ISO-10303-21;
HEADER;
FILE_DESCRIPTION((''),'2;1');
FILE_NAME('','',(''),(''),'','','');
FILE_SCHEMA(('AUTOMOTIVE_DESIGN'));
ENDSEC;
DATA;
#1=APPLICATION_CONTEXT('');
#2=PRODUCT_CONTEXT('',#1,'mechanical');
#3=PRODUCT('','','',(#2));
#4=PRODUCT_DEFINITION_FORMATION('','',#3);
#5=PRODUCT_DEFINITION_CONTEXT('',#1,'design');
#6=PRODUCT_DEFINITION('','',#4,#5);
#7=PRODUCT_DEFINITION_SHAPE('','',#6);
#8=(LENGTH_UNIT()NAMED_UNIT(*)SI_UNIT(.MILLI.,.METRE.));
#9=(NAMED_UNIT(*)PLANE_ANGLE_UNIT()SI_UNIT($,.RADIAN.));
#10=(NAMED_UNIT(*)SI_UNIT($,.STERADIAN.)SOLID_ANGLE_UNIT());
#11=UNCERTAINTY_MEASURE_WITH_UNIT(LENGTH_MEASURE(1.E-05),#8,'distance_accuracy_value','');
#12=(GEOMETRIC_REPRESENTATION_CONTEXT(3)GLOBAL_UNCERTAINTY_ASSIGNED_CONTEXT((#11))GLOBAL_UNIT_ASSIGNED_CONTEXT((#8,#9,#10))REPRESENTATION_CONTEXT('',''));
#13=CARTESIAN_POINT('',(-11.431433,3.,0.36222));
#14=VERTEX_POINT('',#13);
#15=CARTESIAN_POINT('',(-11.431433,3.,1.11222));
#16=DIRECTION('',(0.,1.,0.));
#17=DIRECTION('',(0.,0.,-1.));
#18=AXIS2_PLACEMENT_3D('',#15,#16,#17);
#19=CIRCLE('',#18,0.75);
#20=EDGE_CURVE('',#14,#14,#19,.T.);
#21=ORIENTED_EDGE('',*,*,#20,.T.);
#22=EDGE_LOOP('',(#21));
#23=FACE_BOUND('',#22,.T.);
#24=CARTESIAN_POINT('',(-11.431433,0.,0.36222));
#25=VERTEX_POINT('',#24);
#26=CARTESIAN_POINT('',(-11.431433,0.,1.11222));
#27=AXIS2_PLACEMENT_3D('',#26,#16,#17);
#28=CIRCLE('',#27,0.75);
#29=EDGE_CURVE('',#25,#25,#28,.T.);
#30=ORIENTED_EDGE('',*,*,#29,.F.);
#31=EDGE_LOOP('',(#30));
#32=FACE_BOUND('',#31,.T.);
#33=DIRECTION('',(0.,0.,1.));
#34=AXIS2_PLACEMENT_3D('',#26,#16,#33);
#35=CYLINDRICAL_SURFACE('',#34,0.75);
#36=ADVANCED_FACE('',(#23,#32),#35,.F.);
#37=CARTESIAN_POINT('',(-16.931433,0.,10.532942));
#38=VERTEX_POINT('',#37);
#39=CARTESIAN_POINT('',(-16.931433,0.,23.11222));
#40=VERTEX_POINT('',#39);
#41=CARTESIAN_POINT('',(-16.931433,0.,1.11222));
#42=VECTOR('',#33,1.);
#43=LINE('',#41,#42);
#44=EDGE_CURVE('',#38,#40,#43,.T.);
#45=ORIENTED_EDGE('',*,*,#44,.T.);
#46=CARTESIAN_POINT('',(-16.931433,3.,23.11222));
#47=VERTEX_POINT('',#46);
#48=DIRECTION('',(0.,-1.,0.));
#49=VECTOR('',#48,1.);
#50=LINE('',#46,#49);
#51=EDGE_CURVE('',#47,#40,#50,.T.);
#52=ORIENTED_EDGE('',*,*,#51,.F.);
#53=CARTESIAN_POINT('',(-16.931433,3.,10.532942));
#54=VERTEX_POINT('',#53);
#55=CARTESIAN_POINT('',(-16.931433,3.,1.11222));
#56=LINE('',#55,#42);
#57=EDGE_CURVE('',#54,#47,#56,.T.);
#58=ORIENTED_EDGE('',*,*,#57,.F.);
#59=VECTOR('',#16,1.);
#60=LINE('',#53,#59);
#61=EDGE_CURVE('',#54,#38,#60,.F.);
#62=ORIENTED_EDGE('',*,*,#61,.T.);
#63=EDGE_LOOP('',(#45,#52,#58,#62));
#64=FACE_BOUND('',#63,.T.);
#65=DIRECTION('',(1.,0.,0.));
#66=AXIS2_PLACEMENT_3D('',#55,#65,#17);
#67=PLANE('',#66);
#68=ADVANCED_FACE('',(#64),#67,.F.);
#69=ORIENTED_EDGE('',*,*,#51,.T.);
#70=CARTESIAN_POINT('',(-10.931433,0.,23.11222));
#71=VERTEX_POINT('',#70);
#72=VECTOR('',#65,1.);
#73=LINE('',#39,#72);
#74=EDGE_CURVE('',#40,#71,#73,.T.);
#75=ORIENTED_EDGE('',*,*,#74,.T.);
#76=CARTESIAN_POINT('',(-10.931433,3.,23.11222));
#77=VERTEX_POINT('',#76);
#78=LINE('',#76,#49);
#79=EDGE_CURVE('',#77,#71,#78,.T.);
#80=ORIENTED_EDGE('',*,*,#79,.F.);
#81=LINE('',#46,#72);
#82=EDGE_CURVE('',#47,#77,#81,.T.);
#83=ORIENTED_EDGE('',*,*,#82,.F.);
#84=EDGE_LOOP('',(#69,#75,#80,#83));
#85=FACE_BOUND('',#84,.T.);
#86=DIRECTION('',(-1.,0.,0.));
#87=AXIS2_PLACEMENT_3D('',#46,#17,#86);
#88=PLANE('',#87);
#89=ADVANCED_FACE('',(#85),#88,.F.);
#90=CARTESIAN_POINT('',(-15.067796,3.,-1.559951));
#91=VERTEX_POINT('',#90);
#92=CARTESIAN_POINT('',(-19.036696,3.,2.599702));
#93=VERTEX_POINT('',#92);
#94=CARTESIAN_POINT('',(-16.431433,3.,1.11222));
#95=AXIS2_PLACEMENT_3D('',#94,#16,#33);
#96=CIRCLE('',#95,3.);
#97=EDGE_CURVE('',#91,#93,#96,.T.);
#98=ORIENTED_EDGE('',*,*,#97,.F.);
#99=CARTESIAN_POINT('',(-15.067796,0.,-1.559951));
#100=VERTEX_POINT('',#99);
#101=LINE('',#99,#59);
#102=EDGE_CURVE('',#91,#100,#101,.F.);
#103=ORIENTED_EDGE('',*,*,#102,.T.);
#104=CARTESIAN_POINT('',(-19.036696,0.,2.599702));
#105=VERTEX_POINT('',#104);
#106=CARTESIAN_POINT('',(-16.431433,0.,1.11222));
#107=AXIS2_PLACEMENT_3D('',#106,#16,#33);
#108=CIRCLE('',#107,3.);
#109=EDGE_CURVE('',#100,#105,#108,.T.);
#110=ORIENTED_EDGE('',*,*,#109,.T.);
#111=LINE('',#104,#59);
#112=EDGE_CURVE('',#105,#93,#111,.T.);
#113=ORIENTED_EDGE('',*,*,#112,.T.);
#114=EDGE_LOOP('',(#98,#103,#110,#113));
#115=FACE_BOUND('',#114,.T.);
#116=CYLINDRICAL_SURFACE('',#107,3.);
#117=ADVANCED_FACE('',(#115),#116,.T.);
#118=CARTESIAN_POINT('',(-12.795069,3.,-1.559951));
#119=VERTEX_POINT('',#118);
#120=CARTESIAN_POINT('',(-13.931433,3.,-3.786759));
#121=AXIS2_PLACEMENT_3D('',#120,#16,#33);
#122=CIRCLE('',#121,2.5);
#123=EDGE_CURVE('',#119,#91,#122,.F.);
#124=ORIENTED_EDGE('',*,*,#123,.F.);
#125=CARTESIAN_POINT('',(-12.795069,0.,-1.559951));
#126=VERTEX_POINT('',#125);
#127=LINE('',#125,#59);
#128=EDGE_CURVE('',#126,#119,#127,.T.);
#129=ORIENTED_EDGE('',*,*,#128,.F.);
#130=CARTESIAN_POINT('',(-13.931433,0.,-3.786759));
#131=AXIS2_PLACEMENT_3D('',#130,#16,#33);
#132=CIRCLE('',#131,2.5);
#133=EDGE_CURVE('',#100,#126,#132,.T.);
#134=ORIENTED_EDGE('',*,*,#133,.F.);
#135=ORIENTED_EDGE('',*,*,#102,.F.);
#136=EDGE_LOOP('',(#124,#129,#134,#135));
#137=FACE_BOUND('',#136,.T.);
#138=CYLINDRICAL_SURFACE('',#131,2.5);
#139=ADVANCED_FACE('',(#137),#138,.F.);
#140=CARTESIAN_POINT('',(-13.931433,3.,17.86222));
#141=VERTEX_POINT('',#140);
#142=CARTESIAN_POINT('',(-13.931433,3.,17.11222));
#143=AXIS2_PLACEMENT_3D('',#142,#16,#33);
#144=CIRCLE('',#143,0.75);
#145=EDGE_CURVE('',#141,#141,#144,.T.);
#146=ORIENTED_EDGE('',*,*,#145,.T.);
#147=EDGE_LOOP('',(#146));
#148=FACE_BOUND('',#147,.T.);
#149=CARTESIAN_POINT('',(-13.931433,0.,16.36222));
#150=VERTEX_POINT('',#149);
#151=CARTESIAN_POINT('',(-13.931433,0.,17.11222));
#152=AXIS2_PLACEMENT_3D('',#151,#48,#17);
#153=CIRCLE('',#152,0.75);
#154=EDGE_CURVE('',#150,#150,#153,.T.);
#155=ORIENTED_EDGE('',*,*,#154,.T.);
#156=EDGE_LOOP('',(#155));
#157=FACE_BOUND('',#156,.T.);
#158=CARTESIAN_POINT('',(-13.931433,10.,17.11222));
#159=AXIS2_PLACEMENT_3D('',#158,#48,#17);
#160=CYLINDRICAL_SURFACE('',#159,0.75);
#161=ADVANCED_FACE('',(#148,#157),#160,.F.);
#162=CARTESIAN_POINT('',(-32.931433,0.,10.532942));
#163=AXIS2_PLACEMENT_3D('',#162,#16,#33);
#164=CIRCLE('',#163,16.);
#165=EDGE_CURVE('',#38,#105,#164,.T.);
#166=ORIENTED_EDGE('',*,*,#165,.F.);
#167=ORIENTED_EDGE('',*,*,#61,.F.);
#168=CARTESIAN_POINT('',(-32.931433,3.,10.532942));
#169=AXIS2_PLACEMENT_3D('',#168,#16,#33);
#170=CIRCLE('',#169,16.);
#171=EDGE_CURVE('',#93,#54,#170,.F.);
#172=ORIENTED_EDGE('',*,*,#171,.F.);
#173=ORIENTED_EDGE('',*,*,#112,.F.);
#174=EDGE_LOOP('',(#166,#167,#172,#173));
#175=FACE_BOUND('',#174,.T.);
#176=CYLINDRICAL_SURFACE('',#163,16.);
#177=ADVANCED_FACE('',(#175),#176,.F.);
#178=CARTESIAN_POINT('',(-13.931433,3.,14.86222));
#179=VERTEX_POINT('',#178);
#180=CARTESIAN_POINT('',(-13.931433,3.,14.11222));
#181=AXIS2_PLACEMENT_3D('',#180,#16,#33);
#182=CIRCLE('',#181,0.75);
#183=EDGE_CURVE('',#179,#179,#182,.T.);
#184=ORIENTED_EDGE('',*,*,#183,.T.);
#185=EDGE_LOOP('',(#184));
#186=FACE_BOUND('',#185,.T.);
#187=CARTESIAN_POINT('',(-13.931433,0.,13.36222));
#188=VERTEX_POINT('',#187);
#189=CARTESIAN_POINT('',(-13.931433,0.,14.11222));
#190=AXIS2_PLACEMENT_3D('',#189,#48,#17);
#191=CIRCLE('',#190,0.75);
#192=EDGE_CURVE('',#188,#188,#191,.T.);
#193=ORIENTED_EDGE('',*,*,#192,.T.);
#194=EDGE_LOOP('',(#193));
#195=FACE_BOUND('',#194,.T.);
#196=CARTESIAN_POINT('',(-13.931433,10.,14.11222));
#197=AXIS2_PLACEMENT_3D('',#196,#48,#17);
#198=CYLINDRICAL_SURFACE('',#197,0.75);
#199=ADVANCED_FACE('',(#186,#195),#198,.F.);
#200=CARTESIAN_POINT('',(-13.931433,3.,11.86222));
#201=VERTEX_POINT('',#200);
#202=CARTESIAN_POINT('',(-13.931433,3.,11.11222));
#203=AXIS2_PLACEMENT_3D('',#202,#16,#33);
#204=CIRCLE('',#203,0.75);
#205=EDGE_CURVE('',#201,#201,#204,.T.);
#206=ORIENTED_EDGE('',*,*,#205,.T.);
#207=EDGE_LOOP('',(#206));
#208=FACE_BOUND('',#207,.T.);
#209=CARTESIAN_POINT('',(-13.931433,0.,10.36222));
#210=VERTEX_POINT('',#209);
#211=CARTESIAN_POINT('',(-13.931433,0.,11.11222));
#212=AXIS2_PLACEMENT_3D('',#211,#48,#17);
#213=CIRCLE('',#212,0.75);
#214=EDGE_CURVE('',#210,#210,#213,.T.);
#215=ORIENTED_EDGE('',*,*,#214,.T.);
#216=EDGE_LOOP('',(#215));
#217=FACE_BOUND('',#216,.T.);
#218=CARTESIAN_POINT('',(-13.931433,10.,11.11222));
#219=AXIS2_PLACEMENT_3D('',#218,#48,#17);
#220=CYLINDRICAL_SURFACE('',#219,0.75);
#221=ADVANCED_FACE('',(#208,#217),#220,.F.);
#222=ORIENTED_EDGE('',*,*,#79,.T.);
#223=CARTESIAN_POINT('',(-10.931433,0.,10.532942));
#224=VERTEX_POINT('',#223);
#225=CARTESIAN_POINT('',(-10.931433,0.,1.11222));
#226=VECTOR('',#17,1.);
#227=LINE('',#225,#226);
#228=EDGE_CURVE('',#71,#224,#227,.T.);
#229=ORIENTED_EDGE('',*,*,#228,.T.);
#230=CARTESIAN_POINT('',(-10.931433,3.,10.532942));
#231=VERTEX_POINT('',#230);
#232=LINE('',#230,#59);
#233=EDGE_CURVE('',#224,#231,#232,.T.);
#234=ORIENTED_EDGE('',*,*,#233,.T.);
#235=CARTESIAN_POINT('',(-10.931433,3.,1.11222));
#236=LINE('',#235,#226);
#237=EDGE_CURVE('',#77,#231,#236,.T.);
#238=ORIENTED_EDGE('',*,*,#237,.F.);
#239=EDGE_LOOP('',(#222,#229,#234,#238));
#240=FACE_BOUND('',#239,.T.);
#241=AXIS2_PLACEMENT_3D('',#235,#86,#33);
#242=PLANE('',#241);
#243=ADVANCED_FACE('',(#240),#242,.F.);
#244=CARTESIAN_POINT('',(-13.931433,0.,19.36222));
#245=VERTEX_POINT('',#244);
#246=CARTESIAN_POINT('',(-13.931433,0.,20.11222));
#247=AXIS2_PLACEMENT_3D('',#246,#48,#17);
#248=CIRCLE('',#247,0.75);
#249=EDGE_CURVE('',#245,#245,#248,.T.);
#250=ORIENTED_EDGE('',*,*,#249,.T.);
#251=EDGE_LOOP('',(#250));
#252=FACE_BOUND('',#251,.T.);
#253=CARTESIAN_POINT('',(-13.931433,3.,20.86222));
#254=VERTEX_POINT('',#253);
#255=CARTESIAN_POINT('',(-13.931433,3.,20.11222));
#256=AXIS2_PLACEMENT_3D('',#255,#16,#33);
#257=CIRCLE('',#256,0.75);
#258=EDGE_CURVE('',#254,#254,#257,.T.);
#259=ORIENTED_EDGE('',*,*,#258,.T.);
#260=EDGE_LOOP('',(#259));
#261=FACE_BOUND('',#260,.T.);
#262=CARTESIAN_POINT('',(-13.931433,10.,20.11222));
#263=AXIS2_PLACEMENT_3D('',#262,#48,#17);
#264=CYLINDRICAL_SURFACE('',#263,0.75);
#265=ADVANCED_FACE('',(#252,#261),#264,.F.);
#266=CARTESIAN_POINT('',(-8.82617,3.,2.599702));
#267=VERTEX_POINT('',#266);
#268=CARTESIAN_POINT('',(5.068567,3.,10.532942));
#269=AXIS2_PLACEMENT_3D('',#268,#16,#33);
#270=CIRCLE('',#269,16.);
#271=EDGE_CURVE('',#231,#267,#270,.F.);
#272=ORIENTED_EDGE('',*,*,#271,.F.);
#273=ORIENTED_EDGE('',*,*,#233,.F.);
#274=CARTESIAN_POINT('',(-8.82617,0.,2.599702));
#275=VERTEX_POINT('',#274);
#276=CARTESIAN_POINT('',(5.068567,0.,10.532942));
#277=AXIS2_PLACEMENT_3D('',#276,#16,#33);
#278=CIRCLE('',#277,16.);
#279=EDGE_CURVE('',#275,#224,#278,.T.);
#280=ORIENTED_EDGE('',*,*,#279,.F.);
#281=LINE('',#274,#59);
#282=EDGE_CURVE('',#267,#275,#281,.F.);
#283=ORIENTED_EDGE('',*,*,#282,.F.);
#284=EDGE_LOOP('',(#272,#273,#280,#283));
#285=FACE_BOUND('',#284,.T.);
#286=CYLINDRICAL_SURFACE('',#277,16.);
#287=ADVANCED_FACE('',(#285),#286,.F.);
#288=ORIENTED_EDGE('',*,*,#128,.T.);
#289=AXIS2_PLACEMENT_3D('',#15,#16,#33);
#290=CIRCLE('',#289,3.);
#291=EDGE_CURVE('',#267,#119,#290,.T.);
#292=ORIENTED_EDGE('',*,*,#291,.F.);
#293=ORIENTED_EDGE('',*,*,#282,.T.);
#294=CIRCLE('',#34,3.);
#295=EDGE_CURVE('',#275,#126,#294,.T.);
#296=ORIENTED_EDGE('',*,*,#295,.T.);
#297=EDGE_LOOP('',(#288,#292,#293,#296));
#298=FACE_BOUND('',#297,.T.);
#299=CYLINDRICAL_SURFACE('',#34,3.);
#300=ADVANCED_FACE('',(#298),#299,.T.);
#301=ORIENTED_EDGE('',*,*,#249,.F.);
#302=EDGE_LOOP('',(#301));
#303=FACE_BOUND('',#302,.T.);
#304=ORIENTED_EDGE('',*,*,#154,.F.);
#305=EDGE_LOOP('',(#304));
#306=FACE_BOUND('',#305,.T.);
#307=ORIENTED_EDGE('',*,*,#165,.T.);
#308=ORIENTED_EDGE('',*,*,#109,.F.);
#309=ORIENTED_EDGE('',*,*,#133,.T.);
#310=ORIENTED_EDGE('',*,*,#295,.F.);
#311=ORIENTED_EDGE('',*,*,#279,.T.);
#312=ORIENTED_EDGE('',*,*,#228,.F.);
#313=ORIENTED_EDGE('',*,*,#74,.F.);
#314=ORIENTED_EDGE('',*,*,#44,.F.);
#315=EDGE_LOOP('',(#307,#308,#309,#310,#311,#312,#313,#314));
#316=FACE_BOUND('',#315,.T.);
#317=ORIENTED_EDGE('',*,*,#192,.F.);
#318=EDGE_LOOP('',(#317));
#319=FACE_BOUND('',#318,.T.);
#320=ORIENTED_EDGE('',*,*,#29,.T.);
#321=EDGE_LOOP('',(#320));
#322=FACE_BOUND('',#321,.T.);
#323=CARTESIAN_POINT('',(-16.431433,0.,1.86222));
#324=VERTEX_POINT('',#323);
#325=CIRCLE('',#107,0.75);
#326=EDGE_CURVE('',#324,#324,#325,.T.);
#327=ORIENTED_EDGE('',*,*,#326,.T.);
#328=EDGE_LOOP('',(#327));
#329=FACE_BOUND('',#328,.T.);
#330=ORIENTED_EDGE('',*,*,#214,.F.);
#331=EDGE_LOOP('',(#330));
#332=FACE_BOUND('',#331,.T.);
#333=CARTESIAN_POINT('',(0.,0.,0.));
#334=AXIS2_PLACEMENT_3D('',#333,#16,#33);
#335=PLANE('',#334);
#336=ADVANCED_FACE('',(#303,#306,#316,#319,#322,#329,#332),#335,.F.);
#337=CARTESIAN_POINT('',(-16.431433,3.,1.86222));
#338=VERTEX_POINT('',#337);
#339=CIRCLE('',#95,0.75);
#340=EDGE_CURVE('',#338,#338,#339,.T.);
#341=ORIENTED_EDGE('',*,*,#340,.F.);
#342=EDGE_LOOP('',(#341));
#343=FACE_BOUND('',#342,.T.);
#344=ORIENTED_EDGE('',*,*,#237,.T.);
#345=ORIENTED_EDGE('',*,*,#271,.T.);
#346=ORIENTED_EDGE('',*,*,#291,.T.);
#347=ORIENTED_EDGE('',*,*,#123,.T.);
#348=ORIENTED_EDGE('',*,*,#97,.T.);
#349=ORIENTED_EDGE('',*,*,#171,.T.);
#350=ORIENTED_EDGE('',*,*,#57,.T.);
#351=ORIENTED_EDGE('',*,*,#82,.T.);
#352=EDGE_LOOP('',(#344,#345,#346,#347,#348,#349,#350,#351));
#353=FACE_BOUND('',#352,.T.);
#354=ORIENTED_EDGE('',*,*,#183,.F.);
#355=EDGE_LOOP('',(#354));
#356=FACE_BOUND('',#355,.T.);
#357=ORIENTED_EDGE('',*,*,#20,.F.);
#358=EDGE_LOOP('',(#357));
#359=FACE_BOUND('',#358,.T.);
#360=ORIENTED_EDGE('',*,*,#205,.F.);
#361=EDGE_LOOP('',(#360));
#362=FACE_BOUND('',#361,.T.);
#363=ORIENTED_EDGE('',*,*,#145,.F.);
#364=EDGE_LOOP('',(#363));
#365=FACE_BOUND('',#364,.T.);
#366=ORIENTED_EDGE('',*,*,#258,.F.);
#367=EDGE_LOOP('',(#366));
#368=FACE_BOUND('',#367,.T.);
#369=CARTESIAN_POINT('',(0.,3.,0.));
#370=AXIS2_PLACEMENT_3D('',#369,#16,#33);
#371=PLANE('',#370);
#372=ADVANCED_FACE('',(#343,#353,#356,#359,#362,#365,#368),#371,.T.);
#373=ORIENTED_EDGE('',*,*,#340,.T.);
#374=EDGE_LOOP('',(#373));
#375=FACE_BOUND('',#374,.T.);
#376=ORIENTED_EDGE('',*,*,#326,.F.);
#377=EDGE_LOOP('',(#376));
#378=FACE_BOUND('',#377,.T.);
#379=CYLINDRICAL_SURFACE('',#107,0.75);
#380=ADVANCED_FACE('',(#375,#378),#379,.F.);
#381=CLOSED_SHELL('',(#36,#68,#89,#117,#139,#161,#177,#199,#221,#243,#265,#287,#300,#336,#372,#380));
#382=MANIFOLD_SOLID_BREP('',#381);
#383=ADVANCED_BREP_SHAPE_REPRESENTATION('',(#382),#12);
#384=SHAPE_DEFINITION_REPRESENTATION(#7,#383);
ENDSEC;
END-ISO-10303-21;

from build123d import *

# Parameters (mm, degrees)
CROQUIS2_W              = 6
CROQUIS2_H              = 22
SALIENTE_EXTRUIR2_DEPTH = 3
CROQUIS7_R              = 3
SALIENTE_EXTRUIR4_DEPTH = 3
REDONDEO2_R             = 2.5
CROQUIS11_R             = 0.75
CORTAR_EXTRUIR6_DEPTH   = 3
CROQUIS12_R             = 0.75
CORTAR_EXTRUIR7_DEPTH   = 10
REDONDEO3_R             = 16


with BuildPart() as part:
    # Croquis2 → Saliente-Extruir2 (new body)
    with BuildSketch(Plane(origin=(0, 0, 0), x_dir=(1, 0, 0), z_dir=(0, 1, 0))):
        with Locations((-13.931432693, -12.112220068)):
            Rectangle(CROQUIS2_W, CROQUIS2_H)
    extrude(amount=SALIENTE_EXTRUIR2_DEPTH)

    # Croquis7 → Saliente-Extruir4 (add)
    with BuildSketch(Plane(origin=(0, 3, 0), x_dir=(1, 0, 0), z_dir=(0, 1, 0))):
        with Locations((-16.431432693, -1.112220068)):
            Circle(CROQUIS7_R)
        with Locations((-11.431432693, -1.112220068)):
            Circle(CROQUIS7_R)
    extrude(amount=-SALIENTE_EXTRUIR4_DEPTH)

    # Redondeo2
    redondeo2_edges = [part.edges().sort_by_distance(p)[0] for p in [
        (-13.931432693, 1.5, -0.546092328),
    ]]
    fillet(redondeo2_edges, radius=REDONDEO2_R)

    # Croquis11 → Cortar-Extruir6 (cut)
    with BuildSketch(Plane(origin=(0, 3, 0), x_dir=(1, 0, 0), z_dir=(0, 1, 0))):
        with Locations((-16.431432693, -1.112220068)):
            Circle(CROQUIS11_R)
        with Locations((-11.431432693, -1.112220068)):
            Circle(CROQUIS11_R)
    extrude(amount=-CORTAR_EXTRUIR6_DEPTH, mode=Mode.SUBTRACT)

    # Croquis12 → Cortar-Extruir7 (cut)
    with BuildSketch(Plane.XZ):
        with Locations((-13.931432693, 20.112220068)):
            Circle(CROQUIS12_R)
        with Locations((-13.931432693, 17.112220068)):
            Circle(CROQUIS12_R)
        with Locations((-13.931432693, 14.112220068)):
            Circle(CROQUIS12_R)
        with Locations((-13.931432693, 11.112220068)):
            Circle(CROQUIS12_R)
    extrude(amount=-CORTAR_EXTRUIR7_DEPTH, mode=Mode.SUBTRACT)

    # Redondeo3
    redondeo3_edges = [part.edges().sort_by_distance(p)[0] for p in [
        (-10.931432693, 1.5, 4.070259959),
        (-16.931432693, 1.5, 4.070259959),
    ]]
    fillet(redondeo3_edges, radius=REDONDEO3_R)


solid = part.part
